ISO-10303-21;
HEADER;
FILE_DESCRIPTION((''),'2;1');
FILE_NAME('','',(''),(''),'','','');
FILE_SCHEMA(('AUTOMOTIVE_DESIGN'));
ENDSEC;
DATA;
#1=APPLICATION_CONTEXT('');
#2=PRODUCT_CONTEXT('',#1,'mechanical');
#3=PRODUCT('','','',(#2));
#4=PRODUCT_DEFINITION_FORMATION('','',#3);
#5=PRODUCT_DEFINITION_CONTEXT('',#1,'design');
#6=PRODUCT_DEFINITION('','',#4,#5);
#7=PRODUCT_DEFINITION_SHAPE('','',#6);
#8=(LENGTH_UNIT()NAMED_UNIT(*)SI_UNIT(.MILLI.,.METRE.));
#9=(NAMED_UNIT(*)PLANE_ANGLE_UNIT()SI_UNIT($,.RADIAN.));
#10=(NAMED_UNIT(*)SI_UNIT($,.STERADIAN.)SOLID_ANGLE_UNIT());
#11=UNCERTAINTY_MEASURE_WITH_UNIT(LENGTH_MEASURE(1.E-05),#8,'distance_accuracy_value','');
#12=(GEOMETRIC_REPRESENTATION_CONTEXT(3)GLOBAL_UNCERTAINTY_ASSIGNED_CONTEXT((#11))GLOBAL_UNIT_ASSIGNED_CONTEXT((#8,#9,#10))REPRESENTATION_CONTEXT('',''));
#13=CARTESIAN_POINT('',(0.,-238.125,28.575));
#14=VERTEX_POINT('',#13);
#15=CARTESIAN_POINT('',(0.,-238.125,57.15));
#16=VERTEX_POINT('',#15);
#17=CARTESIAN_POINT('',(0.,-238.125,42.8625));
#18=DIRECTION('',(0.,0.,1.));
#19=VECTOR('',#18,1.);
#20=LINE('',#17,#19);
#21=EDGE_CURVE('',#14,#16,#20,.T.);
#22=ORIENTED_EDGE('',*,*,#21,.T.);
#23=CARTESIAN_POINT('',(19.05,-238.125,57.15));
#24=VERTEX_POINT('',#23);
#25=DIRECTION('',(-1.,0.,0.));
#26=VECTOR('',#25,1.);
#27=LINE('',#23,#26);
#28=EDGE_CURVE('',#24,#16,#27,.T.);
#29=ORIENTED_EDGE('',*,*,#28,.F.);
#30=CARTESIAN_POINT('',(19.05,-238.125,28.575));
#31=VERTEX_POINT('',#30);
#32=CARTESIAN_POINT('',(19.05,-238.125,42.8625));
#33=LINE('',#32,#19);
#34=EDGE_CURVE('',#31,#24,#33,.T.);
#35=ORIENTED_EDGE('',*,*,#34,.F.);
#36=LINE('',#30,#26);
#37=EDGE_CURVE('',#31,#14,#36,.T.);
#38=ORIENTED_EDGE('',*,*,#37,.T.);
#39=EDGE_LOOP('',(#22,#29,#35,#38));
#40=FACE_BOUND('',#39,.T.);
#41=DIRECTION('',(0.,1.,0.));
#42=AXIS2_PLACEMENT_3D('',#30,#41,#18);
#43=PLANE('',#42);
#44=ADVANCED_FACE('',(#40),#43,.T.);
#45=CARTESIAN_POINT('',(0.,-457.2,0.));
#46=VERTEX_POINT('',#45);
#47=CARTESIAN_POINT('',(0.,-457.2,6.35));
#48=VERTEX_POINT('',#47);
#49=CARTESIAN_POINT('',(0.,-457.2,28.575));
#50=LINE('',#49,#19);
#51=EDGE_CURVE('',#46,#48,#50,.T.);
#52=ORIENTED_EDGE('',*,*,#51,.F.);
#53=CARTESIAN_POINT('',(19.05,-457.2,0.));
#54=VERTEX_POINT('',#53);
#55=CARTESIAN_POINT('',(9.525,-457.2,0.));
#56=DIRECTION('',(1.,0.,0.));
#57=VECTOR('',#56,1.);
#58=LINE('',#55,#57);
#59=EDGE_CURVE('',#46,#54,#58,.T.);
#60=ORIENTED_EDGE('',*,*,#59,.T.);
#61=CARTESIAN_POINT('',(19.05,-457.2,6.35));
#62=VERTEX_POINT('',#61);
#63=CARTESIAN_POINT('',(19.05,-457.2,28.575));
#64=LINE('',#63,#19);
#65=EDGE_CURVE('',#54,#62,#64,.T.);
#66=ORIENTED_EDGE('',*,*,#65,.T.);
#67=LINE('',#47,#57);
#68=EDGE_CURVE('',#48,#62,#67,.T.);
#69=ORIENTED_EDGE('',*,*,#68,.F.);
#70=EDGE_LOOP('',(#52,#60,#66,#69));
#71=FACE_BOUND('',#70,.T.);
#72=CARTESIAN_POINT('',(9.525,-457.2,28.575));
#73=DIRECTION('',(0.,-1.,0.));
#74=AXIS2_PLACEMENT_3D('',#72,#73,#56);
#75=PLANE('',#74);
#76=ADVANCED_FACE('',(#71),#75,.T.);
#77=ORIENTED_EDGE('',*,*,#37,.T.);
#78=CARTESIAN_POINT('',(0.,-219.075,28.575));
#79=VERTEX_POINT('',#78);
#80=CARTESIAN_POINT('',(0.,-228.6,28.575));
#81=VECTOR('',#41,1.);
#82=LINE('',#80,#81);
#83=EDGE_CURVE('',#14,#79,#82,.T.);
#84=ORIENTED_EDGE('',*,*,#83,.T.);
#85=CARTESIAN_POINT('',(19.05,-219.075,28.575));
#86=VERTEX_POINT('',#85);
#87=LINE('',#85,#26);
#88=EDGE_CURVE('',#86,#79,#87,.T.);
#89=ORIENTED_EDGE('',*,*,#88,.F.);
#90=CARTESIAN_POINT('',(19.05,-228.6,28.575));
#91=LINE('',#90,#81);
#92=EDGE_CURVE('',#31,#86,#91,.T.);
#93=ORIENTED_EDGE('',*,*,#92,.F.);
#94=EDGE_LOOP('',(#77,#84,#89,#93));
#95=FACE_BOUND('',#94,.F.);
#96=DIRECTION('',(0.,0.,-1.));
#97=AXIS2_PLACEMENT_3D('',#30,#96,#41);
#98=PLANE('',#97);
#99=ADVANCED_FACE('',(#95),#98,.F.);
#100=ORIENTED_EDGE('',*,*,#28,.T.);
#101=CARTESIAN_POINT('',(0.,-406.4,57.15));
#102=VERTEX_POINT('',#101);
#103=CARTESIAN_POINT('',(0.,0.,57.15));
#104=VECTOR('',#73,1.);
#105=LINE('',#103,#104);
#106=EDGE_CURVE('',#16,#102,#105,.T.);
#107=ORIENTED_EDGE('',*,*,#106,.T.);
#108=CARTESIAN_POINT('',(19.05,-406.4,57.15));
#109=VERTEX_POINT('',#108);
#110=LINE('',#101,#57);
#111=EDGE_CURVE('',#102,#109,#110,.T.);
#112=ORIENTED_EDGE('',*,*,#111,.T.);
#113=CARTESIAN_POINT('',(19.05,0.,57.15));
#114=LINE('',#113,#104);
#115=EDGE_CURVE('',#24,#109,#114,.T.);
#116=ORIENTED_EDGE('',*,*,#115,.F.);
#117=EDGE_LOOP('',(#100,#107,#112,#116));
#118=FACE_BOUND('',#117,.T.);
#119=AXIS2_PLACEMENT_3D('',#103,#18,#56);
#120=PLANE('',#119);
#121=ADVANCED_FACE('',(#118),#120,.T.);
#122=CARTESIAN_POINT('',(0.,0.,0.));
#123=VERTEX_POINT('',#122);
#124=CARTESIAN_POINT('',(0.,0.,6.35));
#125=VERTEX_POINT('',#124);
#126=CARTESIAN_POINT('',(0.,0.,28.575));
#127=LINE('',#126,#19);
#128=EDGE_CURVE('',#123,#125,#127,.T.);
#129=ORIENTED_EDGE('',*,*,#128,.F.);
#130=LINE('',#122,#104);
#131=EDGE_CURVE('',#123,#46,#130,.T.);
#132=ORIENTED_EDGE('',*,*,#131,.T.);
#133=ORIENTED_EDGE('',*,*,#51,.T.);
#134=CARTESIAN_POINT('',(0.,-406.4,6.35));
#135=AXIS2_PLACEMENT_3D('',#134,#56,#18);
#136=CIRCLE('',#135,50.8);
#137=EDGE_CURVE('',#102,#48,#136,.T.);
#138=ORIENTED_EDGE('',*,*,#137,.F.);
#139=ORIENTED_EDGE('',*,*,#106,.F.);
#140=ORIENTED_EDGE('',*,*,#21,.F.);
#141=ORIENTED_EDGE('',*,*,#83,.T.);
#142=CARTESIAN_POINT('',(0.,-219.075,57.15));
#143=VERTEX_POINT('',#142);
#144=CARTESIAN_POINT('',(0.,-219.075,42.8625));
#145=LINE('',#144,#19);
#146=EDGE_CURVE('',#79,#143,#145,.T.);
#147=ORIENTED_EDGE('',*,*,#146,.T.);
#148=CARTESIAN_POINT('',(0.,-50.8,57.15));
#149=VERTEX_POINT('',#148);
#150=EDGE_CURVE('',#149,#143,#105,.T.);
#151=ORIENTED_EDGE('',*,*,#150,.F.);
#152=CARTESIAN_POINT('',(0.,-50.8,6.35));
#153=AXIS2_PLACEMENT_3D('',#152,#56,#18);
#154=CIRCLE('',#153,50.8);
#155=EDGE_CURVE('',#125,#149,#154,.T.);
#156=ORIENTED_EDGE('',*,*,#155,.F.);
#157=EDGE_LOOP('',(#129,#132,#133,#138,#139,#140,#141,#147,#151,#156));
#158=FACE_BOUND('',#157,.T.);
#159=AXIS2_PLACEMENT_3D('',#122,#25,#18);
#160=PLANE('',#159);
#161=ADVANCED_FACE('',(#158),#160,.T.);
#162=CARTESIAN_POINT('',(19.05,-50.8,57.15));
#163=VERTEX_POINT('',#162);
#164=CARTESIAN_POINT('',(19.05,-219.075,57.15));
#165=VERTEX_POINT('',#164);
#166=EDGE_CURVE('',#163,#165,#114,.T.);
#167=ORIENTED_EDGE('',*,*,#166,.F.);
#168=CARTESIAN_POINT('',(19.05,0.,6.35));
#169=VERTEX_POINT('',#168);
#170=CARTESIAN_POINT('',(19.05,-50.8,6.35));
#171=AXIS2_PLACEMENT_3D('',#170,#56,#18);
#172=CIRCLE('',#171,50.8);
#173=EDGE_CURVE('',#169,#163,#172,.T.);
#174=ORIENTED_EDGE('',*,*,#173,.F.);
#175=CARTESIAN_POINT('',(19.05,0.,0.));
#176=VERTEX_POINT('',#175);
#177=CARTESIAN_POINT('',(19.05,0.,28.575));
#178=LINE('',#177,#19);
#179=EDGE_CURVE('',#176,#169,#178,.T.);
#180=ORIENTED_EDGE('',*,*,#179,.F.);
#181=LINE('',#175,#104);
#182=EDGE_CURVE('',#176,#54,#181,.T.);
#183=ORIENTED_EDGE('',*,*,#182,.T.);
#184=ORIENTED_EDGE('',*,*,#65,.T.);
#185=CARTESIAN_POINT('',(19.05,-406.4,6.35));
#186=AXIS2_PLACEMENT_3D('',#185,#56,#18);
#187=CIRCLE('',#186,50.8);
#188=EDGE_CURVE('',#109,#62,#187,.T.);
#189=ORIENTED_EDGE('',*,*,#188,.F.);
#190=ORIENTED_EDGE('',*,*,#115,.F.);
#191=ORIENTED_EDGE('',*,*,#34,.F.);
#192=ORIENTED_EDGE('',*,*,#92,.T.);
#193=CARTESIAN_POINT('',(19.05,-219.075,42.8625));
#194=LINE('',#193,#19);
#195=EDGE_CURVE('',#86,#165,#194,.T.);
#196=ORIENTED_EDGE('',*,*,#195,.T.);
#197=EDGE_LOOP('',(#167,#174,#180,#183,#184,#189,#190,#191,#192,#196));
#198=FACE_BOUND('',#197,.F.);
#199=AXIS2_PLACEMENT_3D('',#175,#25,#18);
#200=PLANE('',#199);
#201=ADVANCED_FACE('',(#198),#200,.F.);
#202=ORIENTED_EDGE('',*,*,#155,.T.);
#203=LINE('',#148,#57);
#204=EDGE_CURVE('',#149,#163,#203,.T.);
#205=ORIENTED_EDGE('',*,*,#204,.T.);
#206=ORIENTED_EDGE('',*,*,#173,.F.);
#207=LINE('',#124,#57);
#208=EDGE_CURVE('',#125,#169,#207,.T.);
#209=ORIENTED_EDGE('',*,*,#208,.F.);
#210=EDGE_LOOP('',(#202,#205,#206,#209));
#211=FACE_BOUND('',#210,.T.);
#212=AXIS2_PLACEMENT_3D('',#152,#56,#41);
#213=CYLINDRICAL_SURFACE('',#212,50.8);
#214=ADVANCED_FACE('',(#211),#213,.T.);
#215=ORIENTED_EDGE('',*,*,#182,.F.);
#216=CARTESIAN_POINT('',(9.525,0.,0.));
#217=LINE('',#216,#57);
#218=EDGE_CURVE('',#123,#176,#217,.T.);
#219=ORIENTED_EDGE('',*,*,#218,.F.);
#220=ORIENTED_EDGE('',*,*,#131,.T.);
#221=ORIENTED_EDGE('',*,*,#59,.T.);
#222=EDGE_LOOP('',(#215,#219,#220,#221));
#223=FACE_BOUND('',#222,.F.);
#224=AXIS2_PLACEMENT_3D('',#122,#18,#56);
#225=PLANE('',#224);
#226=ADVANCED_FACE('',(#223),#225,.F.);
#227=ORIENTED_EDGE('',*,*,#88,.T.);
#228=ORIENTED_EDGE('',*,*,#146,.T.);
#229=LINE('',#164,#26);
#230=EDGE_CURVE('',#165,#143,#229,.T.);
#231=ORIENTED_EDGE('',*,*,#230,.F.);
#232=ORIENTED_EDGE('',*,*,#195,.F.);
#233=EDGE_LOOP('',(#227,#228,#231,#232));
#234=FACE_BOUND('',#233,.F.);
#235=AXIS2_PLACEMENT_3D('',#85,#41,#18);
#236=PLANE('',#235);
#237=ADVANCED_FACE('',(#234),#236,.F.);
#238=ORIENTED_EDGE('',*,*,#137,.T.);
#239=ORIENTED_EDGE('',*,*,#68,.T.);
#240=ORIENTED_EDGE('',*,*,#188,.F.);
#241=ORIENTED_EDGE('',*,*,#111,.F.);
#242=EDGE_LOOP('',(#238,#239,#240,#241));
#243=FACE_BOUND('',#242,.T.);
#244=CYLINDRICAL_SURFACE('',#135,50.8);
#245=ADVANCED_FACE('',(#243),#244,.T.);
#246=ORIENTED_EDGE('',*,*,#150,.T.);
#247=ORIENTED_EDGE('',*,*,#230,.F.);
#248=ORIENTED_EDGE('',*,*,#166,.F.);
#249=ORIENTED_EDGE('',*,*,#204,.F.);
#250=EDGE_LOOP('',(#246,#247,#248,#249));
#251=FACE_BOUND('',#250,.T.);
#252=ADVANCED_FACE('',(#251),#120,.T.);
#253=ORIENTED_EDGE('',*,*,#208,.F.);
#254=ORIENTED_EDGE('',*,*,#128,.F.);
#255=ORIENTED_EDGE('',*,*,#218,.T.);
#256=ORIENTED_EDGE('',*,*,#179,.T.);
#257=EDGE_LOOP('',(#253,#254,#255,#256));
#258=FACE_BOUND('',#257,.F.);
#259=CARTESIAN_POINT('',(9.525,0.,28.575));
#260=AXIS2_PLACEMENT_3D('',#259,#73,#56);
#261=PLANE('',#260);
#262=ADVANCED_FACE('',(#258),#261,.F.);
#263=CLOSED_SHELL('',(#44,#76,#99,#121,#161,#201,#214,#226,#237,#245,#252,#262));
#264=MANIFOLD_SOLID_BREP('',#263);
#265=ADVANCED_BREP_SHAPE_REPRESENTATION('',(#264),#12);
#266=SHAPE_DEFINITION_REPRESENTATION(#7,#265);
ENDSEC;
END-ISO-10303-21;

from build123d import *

# Parameters (mm, degrees)
F0_W     = 19.05
F0_H     = 57.15
F1_DEPTH = 457.2
F2_W     = 19.05
F2_H     = 28.575
F3_DEPTH = 19.05
F4_R     = 50.8


with BuildPart() as f1:
    # F0 (on Front) → F1 (new body)
    with BuildSketch(Plane.XZ):
        with Locations((9.525, 28.575)):
            Rectangle(F0_W, F0_H)
    extrude(amount=F1_DEPTH)

    # F2 (on face) → F3 (cut, through all)
    with BuildSketch(Plane.YZ.offset(19.05)):
        with Locations((-228.6, 42.8625)):
            Rectangle(F2_W, F2_H)
    extrude(amount=-F3_DEPTH, mode=Mode.SUBTRACT)

    # F4
    f4_edges = [f1.edges().sort_by_distance(p)[0] for p in [
        (9.525, 0, 57.15),
        (9.525, -457.2, 57.15),
    ]]
    fillet(f4_edges, radius=F4_R)


solid = f1.part
